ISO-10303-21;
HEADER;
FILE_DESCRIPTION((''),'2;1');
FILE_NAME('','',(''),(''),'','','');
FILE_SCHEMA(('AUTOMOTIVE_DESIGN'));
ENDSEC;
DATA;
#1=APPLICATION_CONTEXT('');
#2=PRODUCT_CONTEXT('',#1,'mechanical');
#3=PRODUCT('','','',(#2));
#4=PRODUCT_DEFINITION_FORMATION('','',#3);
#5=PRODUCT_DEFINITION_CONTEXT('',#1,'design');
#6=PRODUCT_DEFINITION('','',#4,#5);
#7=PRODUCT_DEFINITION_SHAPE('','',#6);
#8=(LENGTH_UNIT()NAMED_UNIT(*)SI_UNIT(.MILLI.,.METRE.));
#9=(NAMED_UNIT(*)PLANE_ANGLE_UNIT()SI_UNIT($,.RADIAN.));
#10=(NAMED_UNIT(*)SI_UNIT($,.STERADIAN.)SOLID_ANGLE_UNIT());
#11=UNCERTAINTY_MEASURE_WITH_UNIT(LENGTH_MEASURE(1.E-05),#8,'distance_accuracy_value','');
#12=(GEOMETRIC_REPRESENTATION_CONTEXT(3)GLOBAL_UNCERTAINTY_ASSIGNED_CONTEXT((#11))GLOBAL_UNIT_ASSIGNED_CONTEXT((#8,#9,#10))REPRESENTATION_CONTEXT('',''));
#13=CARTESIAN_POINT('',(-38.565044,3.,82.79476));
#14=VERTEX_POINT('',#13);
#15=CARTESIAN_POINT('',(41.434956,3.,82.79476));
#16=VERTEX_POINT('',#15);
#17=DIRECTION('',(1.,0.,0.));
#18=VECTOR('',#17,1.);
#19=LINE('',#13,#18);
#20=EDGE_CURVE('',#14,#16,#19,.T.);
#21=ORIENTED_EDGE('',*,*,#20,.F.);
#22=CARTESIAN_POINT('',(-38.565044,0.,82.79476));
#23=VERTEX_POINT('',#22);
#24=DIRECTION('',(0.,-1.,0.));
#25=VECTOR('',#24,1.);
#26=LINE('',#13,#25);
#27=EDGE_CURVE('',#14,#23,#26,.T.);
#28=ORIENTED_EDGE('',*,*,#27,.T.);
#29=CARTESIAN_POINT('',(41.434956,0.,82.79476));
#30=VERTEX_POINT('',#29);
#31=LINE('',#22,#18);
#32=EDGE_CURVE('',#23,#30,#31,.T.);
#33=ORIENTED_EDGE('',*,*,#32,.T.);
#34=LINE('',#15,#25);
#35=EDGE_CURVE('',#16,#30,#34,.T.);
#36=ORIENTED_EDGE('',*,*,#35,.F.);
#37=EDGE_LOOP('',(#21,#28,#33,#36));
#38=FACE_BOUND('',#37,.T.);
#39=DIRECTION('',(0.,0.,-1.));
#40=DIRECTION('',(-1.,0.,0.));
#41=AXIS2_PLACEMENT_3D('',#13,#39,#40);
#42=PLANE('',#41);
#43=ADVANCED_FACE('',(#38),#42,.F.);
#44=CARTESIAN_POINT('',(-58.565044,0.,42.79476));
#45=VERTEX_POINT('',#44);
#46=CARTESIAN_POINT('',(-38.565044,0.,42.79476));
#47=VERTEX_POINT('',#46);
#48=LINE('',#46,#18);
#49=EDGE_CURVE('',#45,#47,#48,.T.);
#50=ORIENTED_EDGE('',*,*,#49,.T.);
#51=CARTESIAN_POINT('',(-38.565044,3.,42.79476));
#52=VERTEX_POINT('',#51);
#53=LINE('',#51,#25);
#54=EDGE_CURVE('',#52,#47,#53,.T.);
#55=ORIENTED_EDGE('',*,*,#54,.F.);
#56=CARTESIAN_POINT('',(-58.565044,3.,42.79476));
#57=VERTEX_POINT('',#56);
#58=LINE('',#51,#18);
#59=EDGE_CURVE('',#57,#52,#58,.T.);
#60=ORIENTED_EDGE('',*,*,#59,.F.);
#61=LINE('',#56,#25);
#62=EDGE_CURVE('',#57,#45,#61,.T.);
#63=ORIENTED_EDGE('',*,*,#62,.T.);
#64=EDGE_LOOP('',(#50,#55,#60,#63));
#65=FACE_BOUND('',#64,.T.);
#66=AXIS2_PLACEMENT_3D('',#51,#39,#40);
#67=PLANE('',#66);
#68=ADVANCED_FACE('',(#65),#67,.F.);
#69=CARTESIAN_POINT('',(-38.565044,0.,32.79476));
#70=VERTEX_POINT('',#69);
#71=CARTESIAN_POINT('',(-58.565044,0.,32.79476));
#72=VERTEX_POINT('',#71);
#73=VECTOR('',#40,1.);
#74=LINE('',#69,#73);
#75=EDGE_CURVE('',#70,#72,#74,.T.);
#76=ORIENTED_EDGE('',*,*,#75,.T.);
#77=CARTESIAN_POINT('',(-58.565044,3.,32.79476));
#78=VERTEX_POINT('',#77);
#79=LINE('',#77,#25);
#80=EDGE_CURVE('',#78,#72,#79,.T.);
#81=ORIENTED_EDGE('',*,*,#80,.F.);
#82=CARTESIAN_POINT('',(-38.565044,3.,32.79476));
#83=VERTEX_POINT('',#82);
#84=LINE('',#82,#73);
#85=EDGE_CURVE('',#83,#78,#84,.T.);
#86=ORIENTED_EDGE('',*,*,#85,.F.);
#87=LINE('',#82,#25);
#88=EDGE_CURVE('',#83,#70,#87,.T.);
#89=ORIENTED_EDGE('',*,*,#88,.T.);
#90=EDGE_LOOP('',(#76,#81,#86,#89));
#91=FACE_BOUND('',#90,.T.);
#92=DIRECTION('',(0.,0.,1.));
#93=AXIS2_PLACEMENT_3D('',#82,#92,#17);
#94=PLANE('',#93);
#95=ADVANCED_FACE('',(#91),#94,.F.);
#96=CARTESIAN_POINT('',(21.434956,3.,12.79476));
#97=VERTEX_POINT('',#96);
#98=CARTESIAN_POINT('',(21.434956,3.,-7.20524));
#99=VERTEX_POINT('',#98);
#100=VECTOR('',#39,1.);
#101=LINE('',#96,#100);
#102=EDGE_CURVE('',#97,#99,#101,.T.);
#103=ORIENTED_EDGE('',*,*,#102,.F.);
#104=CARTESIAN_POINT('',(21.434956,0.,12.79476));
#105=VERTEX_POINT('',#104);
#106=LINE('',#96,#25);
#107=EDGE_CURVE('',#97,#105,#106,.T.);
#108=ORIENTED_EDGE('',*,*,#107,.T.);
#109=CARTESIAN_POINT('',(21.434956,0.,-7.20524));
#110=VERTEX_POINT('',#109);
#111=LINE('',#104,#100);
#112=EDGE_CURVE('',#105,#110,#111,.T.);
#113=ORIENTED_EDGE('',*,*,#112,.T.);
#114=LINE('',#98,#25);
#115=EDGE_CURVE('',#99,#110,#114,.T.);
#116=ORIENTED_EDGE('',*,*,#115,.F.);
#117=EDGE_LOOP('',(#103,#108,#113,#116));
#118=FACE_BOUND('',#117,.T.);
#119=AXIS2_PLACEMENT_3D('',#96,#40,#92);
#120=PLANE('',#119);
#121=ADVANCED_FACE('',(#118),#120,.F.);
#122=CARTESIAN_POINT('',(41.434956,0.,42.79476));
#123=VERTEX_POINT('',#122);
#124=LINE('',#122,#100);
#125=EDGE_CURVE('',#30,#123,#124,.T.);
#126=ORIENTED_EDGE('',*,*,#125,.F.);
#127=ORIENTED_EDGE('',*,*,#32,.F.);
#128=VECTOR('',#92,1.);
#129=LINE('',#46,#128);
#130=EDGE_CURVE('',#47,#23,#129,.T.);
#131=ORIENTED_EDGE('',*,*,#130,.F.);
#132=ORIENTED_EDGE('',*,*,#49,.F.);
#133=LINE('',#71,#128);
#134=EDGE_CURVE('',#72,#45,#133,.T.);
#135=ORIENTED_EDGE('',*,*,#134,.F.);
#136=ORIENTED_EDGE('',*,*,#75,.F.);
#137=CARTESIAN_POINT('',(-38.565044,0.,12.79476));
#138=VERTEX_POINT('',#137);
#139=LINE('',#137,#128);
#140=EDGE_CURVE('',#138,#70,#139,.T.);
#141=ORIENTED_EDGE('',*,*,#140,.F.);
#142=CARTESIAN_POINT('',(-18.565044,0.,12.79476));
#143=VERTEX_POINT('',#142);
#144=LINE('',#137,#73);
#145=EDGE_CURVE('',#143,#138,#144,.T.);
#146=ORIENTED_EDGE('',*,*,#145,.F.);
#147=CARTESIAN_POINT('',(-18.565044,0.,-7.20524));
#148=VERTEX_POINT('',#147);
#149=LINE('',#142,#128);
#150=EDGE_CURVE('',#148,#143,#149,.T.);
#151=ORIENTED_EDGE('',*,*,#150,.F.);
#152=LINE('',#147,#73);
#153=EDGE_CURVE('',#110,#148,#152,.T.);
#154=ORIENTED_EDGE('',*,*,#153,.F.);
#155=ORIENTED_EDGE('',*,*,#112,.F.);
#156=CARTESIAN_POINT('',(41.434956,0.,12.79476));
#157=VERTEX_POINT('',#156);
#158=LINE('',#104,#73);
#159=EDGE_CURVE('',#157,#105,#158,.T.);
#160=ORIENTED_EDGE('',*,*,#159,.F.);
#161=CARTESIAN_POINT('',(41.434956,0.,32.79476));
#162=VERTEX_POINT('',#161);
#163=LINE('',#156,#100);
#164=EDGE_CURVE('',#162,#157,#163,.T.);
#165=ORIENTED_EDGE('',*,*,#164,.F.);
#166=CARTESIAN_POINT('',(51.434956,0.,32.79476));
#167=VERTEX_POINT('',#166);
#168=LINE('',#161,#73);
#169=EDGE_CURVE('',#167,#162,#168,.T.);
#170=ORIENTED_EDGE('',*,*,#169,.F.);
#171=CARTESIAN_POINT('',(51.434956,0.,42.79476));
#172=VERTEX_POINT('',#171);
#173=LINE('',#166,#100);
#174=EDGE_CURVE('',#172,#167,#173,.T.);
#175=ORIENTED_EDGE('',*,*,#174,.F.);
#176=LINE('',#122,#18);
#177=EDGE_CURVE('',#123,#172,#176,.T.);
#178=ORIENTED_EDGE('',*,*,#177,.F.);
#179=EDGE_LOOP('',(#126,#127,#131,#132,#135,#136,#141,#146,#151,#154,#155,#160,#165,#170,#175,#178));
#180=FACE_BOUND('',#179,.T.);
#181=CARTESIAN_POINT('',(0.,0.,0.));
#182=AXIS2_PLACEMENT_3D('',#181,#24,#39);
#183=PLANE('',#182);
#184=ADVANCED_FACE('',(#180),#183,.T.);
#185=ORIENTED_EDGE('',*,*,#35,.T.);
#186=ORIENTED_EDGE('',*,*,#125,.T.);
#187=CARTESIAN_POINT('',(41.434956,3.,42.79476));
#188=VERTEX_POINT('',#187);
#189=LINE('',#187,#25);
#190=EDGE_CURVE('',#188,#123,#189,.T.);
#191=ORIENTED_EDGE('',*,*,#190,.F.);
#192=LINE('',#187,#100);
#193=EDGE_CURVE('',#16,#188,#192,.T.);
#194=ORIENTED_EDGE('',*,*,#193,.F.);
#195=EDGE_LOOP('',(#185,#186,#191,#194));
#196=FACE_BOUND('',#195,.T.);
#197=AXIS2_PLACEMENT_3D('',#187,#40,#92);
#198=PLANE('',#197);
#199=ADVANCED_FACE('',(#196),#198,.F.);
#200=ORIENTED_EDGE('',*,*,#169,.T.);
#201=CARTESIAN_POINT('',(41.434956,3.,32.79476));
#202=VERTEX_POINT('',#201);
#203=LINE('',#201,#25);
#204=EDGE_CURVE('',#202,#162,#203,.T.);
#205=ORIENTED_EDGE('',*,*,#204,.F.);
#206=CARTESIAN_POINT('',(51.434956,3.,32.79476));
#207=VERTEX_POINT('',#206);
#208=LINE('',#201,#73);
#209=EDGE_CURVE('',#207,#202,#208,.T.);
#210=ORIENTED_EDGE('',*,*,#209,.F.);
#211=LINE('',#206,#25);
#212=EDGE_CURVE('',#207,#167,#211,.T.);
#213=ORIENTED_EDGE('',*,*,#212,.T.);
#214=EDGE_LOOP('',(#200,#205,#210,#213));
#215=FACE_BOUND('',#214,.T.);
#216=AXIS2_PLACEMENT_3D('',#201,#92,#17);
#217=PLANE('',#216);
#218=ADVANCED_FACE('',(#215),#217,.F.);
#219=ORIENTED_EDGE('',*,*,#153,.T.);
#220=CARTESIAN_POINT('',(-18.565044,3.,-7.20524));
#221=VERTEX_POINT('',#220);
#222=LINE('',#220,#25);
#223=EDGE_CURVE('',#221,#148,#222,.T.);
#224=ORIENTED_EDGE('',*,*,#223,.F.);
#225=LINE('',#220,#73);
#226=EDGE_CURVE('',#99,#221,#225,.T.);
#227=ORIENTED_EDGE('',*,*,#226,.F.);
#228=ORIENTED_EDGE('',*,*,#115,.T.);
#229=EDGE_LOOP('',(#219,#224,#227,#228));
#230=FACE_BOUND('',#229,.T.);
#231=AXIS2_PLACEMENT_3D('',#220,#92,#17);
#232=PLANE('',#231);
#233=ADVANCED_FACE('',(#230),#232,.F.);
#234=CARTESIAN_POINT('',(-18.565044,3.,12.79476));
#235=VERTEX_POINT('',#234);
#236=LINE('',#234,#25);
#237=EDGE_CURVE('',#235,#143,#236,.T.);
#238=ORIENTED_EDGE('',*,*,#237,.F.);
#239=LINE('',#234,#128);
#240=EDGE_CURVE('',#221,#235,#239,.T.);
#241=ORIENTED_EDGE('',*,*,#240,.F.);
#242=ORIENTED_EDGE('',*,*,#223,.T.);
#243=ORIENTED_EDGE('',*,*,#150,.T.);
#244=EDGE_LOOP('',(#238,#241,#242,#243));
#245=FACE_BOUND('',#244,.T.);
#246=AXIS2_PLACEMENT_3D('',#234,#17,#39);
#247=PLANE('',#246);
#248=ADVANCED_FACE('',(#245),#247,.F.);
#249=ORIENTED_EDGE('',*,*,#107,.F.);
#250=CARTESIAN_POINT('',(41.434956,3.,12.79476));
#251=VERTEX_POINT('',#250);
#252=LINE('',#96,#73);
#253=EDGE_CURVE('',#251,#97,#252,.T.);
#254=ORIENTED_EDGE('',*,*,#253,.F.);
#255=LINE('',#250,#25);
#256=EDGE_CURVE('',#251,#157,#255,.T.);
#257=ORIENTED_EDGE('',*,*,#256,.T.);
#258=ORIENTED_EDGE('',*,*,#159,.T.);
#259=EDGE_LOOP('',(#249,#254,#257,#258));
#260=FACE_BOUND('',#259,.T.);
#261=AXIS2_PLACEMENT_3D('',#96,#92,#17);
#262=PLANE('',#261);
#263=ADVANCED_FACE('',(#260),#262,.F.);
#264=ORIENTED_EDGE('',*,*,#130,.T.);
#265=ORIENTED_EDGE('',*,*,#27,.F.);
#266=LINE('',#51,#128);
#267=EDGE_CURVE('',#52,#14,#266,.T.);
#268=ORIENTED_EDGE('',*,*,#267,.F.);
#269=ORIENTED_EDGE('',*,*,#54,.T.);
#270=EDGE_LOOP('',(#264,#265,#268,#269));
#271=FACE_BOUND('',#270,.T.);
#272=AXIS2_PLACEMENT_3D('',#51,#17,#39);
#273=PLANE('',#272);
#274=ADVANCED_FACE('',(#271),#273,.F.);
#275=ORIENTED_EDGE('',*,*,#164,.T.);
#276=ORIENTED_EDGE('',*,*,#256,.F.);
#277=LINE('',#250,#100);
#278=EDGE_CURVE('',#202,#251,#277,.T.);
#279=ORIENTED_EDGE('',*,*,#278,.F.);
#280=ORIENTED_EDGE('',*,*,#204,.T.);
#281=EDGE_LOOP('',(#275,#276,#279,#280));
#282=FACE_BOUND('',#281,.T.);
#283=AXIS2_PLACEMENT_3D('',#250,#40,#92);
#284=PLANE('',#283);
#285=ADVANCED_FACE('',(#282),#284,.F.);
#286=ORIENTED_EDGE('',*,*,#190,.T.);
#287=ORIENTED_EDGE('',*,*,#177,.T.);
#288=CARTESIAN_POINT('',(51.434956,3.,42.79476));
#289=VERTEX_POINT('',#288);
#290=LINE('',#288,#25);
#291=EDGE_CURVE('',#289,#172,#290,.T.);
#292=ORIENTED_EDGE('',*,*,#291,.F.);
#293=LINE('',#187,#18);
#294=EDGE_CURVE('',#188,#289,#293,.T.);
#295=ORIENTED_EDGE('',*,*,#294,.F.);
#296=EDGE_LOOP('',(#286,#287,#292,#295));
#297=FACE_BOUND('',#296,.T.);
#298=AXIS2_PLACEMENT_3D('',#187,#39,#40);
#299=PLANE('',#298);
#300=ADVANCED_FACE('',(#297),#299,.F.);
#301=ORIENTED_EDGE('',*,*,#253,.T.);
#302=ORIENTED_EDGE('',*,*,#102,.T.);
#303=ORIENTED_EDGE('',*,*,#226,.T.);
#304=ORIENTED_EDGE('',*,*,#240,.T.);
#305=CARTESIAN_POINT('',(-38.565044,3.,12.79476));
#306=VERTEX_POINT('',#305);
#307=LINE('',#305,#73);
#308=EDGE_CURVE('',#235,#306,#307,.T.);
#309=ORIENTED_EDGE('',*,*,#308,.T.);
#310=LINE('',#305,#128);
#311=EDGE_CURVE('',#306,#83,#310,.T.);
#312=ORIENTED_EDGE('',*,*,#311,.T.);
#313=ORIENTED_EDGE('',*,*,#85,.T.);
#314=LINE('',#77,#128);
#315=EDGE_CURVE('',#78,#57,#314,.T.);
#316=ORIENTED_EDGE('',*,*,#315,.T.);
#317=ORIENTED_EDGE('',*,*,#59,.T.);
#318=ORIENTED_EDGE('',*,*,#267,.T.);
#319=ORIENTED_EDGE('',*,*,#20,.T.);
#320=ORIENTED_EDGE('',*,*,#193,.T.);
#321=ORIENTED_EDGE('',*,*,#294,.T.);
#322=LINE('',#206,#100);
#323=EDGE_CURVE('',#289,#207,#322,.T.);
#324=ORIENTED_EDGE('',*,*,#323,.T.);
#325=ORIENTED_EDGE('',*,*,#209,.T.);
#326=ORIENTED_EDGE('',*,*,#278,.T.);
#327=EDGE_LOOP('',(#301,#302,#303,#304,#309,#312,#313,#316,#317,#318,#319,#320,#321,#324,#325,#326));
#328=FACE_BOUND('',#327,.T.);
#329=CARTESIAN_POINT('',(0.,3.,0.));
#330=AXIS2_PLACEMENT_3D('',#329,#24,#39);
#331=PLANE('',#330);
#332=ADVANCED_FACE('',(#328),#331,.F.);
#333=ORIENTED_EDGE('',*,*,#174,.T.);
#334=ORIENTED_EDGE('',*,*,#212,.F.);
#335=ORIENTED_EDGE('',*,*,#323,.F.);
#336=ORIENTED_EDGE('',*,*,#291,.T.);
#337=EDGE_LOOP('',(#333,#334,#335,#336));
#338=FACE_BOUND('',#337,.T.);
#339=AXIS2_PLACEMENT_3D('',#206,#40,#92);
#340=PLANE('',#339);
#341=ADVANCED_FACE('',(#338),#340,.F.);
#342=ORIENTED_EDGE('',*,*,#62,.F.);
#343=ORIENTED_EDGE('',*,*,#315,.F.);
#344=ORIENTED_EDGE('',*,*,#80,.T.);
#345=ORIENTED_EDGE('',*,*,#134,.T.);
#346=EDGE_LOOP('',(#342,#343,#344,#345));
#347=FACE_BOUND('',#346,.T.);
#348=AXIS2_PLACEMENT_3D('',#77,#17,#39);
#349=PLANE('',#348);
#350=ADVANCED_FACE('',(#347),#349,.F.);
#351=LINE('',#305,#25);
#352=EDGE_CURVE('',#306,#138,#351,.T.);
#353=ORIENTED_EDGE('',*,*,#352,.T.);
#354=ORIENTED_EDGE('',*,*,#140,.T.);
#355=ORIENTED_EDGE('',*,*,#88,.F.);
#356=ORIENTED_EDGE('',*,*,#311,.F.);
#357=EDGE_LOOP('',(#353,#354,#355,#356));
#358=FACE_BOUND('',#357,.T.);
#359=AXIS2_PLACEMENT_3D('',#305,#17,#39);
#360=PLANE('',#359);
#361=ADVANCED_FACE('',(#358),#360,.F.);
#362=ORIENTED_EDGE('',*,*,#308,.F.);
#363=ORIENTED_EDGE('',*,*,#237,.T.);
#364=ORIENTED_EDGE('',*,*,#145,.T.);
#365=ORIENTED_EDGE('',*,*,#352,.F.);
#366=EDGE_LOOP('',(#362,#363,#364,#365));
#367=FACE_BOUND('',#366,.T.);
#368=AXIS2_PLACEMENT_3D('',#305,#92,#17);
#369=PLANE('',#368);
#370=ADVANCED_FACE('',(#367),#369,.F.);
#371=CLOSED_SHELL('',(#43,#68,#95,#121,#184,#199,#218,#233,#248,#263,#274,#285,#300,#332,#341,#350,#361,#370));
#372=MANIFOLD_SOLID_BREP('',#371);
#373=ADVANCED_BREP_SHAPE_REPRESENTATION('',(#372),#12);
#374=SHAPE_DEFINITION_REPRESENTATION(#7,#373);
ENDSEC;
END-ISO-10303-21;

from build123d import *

# Parameters (mm, degrees)
EXTRUDE_1_DEPTH = 3


with BuildPart() as part:
    # 草图1 → 凸台-拉伸1 (new body)
    with BuildSketch(Plane(origin=(0, 0, 0), x_dir=(1, 0, 0), z_dir=(0, 1, 0))):
        Polygon((-38.565044459, -42.794760037), (-38.565044459, -82.794760037), (41.434955541, -82.794760037), (41.434955541, -42.794760037), (51.434955541, -42.794760037), (51.434955541, -32.794760037), (41.434955541, -32.794760037), (41.434955541, -12.794760037), (21.434955541, -12.794760037), (21.434955541, 7.205239963), (-18.565044459, 7.205239963), (-18.565044459, -12.794760037), (-38.565044459, -12.794760037), (-38.565044459, -32.794760037), (-58.565044459, -32.794760037), (-58.565044459, -42.794760037), align=None)
    extrude(amount=EXTRUDE_1_DEPTH)


solid = part.part
